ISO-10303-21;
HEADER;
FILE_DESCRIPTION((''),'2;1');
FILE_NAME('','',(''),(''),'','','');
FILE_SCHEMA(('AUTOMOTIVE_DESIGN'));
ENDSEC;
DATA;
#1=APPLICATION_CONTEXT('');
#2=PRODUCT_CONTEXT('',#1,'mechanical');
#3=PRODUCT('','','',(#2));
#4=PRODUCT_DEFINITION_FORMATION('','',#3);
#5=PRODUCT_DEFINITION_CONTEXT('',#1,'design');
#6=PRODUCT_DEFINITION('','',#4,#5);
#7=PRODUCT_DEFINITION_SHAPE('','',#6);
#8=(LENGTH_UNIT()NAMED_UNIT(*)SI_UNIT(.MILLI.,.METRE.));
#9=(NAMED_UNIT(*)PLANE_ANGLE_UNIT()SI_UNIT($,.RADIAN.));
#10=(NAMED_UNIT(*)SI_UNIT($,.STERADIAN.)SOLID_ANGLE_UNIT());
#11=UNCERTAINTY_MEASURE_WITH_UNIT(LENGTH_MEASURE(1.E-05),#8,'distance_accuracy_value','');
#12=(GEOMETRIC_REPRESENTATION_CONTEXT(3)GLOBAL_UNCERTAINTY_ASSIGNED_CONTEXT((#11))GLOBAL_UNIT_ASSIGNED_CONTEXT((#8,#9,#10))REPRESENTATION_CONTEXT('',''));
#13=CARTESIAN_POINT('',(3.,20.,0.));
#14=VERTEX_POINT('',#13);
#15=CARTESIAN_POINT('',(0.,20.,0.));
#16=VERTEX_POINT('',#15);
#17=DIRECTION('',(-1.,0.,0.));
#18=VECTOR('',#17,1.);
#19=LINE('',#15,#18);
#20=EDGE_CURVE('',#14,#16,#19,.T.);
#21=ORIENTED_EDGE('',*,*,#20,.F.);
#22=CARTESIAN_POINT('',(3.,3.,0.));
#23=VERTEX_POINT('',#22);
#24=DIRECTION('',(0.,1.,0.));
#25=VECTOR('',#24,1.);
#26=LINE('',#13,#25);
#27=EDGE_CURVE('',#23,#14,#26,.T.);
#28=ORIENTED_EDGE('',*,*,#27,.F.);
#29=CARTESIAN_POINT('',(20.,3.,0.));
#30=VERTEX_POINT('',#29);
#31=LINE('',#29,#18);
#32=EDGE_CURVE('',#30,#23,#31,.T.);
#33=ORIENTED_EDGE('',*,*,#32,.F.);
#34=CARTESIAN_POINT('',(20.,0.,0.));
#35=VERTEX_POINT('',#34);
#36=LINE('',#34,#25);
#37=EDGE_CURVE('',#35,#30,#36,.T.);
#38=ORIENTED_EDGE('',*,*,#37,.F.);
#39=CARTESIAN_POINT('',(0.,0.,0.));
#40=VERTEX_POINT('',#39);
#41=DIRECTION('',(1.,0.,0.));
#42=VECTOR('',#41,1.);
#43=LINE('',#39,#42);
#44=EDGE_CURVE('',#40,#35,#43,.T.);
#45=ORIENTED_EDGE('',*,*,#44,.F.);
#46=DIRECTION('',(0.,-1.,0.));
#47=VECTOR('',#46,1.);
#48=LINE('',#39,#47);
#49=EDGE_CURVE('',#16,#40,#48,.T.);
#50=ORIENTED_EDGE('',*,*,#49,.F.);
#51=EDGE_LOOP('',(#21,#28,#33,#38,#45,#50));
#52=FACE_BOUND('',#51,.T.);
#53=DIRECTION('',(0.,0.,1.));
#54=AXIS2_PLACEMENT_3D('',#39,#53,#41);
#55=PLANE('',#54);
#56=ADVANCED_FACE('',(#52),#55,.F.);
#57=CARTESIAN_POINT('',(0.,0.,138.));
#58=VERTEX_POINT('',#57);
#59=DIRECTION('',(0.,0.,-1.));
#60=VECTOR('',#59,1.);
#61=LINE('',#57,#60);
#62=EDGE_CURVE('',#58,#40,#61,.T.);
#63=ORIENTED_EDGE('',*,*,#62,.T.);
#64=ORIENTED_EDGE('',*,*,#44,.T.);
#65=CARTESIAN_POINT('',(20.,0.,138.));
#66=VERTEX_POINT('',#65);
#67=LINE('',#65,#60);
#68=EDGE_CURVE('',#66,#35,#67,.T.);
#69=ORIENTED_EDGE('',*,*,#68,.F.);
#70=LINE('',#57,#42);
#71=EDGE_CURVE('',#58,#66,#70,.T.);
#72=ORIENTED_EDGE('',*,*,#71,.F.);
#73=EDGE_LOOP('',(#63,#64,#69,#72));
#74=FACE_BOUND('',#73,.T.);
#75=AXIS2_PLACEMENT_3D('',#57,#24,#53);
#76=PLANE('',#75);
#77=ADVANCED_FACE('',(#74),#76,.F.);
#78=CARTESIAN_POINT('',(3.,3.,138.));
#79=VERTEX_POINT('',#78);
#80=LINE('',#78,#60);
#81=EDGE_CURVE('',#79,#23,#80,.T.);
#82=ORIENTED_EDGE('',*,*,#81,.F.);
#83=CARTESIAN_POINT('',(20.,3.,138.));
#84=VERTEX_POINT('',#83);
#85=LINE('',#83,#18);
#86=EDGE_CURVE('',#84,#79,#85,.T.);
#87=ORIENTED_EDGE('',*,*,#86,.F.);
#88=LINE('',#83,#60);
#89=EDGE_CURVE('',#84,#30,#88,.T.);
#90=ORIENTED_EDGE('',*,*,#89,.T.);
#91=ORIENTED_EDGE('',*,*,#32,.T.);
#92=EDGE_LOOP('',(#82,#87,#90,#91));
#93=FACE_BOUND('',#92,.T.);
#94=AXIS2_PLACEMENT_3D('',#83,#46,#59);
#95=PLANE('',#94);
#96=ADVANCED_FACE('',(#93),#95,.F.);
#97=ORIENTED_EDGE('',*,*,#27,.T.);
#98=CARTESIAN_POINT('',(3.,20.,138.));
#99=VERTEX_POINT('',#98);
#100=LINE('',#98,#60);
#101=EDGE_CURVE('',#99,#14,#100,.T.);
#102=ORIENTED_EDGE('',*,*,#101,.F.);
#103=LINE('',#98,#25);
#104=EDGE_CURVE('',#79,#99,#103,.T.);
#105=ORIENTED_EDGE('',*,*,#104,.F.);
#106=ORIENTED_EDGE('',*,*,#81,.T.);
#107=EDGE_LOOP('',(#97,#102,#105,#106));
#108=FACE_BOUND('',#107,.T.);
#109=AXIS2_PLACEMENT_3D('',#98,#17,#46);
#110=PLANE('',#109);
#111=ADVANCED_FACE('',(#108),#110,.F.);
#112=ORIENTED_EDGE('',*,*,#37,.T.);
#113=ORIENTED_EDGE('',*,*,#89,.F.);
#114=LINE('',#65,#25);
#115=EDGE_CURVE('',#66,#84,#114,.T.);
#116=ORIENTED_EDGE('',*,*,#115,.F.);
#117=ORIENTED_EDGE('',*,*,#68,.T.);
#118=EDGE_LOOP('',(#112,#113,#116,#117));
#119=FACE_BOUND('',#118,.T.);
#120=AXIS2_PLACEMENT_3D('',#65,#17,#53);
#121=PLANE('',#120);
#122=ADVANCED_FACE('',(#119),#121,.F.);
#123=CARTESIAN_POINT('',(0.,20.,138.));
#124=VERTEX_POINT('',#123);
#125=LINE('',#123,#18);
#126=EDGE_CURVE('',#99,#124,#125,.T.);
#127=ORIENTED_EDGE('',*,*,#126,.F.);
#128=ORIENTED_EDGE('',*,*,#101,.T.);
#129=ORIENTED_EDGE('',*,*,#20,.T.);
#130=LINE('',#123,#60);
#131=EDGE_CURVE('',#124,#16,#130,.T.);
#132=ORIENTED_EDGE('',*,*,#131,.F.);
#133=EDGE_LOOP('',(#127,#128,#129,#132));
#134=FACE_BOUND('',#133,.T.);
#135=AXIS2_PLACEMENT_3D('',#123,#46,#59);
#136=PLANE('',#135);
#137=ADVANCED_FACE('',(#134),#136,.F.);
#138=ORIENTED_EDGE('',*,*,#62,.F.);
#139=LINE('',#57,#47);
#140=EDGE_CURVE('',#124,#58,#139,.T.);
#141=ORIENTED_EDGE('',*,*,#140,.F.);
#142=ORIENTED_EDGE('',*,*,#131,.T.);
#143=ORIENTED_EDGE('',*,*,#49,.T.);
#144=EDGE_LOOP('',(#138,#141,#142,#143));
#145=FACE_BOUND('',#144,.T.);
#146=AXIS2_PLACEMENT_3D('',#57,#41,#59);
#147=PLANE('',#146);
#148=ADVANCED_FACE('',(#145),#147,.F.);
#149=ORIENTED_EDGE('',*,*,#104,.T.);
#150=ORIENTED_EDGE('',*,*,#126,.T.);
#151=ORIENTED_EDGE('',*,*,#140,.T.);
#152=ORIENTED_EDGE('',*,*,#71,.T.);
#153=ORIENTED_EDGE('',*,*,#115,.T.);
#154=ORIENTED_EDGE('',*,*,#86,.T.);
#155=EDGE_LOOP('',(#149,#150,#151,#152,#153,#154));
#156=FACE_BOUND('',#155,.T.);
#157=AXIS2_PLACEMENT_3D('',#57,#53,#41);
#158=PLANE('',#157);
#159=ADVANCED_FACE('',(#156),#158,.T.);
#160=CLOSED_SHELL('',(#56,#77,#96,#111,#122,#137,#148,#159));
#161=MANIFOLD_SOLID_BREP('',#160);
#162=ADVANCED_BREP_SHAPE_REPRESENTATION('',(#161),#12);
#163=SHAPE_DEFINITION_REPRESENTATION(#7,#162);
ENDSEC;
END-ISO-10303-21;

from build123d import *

# Parameters (mm, degrees)
BOSS_EXTRUDE1_DEPTH = 138


with BuildPart() as part:
    # Sketch1 → Boss-Extrude1 (new body)
    with BuildSketch(Plane.XY):
        Polygon((0, 0), (20, 0), (20, 3), (3, 3), (3, 20), (0, 20), align=None)
    extrude(amount=BOSS_EXTRUDE1_DEPTH)


solid = part.part
